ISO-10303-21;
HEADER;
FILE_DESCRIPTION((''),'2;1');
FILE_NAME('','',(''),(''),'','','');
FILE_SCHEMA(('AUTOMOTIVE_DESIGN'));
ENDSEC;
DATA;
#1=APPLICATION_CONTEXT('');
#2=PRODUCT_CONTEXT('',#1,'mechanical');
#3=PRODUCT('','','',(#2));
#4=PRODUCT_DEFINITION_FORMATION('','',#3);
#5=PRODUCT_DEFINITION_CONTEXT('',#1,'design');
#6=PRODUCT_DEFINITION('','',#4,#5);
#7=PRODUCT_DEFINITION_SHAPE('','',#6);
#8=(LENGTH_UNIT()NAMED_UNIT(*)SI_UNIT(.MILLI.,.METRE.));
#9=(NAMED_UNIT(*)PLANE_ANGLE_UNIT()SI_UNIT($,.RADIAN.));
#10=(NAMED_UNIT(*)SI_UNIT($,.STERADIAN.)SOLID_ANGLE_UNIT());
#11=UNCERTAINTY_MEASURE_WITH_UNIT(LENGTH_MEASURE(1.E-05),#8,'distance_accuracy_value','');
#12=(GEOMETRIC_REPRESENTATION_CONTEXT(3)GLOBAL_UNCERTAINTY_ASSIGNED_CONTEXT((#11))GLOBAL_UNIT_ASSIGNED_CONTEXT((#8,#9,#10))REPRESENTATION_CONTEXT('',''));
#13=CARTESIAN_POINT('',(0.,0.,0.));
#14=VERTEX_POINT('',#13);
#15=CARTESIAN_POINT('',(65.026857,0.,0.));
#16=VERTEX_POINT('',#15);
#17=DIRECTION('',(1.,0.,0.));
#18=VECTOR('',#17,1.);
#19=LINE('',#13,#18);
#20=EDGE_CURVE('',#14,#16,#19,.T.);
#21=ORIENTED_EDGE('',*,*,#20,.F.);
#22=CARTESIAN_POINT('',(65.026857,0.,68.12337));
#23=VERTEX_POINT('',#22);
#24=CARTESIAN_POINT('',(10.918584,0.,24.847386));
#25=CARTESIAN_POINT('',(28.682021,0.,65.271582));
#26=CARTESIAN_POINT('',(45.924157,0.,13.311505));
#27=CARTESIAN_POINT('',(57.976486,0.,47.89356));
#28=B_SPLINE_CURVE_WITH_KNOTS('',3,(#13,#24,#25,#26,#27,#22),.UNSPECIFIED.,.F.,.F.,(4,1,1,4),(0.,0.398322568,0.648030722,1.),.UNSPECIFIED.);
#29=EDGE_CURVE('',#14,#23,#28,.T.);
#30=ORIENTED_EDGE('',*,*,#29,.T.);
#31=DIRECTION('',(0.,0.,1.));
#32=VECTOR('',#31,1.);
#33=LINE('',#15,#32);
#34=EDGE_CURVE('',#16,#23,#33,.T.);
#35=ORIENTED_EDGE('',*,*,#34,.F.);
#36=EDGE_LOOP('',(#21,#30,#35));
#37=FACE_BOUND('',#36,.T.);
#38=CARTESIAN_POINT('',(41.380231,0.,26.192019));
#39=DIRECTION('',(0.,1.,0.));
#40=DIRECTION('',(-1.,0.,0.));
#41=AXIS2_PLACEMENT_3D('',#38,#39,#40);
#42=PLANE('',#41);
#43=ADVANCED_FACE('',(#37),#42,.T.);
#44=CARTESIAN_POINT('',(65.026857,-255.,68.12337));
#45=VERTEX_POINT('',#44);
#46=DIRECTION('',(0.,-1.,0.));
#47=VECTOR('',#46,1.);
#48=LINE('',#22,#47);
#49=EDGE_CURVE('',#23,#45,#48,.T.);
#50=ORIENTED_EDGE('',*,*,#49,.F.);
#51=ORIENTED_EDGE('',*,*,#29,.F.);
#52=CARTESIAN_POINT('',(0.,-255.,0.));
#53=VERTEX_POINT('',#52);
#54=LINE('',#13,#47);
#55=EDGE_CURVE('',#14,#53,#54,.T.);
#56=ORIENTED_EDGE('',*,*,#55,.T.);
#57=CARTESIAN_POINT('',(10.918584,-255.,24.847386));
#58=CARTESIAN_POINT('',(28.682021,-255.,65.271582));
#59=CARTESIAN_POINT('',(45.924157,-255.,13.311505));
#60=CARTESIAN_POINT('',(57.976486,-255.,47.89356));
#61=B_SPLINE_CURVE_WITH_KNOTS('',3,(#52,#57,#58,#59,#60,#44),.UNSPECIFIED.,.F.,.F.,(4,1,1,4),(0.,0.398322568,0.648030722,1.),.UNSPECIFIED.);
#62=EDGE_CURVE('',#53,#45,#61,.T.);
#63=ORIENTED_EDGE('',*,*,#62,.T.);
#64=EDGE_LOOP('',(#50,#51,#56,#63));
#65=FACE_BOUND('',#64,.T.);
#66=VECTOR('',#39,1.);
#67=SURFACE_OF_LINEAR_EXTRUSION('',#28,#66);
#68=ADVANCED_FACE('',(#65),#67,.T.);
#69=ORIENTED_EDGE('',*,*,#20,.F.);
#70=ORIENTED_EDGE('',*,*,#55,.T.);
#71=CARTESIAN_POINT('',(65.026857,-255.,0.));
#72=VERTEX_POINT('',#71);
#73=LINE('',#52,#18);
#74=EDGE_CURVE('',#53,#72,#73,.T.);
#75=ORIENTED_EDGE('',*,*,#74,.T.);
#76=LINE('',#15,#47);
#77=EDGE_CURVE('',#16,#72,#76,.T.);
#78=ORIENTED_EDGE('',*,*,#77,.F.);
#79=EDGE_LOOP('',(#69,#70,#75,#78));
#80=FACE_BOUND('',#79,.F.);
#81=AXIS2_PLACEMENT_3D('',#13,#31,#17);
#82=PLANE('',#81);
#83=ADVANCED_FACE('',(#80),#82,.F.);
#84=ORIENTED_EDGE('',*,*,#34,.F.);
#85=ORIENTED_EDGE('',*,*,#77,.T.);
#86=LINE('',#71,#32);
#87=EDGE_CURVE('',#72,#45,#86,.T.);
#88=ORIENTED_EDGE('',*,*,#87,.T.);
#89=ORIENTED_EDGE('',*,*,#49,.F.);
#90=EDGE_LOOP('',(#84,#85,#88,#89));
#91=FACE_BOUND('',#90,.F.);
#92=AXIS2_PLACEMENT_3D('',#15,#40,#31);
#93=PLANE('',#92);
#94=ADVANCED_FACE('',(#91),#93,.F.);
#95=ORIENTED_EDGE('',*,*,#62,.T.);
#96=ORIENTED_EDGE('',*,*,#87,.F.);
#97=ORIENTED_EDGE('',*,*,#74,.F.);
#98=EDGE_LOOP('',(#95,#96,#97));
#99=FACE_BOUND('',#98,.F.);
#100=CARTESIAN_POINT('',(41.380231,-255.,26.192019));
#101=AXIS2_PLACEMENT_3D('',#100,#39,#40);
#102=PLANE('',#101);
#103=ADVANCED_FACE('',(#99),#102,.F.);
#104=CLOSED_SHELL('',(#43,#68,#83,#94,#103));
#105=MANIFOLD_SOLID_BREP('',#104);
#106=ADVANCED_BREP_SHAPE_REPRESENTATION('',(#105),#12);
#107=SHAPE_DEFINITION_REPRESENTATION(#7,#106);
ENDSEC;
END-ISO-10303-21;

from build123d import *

# Parameters (mm, degrees)
F1_DEPTH = 255


with BuildPart() as f1:
    # F0 (on Front) → F1 (new body)
    with BuildSketch(Plane.XZ):
        with BuildLine():
            add(Edge.make_bspline(
                [(0, 0), (10.9185840952, 24.8473862074), (28.6820213146, 65.2715823402), (45.9241574, 13.3115053396), (57.9764856801, 47.893559537), (65.0268569589, 68.123370409)],
                knots=[0, 0, 0, 0, 0.3983225682, 0.6480307219, 1, 1, 1, 1], degree=3))
            Line((0, 0), (65.0268569589, 0))
            Line((65.0268569589, 0), (65.0268569589, 68.123370409))
        make_face()
    extrude(amount=F1_DEPTH)


solid = f1.part
